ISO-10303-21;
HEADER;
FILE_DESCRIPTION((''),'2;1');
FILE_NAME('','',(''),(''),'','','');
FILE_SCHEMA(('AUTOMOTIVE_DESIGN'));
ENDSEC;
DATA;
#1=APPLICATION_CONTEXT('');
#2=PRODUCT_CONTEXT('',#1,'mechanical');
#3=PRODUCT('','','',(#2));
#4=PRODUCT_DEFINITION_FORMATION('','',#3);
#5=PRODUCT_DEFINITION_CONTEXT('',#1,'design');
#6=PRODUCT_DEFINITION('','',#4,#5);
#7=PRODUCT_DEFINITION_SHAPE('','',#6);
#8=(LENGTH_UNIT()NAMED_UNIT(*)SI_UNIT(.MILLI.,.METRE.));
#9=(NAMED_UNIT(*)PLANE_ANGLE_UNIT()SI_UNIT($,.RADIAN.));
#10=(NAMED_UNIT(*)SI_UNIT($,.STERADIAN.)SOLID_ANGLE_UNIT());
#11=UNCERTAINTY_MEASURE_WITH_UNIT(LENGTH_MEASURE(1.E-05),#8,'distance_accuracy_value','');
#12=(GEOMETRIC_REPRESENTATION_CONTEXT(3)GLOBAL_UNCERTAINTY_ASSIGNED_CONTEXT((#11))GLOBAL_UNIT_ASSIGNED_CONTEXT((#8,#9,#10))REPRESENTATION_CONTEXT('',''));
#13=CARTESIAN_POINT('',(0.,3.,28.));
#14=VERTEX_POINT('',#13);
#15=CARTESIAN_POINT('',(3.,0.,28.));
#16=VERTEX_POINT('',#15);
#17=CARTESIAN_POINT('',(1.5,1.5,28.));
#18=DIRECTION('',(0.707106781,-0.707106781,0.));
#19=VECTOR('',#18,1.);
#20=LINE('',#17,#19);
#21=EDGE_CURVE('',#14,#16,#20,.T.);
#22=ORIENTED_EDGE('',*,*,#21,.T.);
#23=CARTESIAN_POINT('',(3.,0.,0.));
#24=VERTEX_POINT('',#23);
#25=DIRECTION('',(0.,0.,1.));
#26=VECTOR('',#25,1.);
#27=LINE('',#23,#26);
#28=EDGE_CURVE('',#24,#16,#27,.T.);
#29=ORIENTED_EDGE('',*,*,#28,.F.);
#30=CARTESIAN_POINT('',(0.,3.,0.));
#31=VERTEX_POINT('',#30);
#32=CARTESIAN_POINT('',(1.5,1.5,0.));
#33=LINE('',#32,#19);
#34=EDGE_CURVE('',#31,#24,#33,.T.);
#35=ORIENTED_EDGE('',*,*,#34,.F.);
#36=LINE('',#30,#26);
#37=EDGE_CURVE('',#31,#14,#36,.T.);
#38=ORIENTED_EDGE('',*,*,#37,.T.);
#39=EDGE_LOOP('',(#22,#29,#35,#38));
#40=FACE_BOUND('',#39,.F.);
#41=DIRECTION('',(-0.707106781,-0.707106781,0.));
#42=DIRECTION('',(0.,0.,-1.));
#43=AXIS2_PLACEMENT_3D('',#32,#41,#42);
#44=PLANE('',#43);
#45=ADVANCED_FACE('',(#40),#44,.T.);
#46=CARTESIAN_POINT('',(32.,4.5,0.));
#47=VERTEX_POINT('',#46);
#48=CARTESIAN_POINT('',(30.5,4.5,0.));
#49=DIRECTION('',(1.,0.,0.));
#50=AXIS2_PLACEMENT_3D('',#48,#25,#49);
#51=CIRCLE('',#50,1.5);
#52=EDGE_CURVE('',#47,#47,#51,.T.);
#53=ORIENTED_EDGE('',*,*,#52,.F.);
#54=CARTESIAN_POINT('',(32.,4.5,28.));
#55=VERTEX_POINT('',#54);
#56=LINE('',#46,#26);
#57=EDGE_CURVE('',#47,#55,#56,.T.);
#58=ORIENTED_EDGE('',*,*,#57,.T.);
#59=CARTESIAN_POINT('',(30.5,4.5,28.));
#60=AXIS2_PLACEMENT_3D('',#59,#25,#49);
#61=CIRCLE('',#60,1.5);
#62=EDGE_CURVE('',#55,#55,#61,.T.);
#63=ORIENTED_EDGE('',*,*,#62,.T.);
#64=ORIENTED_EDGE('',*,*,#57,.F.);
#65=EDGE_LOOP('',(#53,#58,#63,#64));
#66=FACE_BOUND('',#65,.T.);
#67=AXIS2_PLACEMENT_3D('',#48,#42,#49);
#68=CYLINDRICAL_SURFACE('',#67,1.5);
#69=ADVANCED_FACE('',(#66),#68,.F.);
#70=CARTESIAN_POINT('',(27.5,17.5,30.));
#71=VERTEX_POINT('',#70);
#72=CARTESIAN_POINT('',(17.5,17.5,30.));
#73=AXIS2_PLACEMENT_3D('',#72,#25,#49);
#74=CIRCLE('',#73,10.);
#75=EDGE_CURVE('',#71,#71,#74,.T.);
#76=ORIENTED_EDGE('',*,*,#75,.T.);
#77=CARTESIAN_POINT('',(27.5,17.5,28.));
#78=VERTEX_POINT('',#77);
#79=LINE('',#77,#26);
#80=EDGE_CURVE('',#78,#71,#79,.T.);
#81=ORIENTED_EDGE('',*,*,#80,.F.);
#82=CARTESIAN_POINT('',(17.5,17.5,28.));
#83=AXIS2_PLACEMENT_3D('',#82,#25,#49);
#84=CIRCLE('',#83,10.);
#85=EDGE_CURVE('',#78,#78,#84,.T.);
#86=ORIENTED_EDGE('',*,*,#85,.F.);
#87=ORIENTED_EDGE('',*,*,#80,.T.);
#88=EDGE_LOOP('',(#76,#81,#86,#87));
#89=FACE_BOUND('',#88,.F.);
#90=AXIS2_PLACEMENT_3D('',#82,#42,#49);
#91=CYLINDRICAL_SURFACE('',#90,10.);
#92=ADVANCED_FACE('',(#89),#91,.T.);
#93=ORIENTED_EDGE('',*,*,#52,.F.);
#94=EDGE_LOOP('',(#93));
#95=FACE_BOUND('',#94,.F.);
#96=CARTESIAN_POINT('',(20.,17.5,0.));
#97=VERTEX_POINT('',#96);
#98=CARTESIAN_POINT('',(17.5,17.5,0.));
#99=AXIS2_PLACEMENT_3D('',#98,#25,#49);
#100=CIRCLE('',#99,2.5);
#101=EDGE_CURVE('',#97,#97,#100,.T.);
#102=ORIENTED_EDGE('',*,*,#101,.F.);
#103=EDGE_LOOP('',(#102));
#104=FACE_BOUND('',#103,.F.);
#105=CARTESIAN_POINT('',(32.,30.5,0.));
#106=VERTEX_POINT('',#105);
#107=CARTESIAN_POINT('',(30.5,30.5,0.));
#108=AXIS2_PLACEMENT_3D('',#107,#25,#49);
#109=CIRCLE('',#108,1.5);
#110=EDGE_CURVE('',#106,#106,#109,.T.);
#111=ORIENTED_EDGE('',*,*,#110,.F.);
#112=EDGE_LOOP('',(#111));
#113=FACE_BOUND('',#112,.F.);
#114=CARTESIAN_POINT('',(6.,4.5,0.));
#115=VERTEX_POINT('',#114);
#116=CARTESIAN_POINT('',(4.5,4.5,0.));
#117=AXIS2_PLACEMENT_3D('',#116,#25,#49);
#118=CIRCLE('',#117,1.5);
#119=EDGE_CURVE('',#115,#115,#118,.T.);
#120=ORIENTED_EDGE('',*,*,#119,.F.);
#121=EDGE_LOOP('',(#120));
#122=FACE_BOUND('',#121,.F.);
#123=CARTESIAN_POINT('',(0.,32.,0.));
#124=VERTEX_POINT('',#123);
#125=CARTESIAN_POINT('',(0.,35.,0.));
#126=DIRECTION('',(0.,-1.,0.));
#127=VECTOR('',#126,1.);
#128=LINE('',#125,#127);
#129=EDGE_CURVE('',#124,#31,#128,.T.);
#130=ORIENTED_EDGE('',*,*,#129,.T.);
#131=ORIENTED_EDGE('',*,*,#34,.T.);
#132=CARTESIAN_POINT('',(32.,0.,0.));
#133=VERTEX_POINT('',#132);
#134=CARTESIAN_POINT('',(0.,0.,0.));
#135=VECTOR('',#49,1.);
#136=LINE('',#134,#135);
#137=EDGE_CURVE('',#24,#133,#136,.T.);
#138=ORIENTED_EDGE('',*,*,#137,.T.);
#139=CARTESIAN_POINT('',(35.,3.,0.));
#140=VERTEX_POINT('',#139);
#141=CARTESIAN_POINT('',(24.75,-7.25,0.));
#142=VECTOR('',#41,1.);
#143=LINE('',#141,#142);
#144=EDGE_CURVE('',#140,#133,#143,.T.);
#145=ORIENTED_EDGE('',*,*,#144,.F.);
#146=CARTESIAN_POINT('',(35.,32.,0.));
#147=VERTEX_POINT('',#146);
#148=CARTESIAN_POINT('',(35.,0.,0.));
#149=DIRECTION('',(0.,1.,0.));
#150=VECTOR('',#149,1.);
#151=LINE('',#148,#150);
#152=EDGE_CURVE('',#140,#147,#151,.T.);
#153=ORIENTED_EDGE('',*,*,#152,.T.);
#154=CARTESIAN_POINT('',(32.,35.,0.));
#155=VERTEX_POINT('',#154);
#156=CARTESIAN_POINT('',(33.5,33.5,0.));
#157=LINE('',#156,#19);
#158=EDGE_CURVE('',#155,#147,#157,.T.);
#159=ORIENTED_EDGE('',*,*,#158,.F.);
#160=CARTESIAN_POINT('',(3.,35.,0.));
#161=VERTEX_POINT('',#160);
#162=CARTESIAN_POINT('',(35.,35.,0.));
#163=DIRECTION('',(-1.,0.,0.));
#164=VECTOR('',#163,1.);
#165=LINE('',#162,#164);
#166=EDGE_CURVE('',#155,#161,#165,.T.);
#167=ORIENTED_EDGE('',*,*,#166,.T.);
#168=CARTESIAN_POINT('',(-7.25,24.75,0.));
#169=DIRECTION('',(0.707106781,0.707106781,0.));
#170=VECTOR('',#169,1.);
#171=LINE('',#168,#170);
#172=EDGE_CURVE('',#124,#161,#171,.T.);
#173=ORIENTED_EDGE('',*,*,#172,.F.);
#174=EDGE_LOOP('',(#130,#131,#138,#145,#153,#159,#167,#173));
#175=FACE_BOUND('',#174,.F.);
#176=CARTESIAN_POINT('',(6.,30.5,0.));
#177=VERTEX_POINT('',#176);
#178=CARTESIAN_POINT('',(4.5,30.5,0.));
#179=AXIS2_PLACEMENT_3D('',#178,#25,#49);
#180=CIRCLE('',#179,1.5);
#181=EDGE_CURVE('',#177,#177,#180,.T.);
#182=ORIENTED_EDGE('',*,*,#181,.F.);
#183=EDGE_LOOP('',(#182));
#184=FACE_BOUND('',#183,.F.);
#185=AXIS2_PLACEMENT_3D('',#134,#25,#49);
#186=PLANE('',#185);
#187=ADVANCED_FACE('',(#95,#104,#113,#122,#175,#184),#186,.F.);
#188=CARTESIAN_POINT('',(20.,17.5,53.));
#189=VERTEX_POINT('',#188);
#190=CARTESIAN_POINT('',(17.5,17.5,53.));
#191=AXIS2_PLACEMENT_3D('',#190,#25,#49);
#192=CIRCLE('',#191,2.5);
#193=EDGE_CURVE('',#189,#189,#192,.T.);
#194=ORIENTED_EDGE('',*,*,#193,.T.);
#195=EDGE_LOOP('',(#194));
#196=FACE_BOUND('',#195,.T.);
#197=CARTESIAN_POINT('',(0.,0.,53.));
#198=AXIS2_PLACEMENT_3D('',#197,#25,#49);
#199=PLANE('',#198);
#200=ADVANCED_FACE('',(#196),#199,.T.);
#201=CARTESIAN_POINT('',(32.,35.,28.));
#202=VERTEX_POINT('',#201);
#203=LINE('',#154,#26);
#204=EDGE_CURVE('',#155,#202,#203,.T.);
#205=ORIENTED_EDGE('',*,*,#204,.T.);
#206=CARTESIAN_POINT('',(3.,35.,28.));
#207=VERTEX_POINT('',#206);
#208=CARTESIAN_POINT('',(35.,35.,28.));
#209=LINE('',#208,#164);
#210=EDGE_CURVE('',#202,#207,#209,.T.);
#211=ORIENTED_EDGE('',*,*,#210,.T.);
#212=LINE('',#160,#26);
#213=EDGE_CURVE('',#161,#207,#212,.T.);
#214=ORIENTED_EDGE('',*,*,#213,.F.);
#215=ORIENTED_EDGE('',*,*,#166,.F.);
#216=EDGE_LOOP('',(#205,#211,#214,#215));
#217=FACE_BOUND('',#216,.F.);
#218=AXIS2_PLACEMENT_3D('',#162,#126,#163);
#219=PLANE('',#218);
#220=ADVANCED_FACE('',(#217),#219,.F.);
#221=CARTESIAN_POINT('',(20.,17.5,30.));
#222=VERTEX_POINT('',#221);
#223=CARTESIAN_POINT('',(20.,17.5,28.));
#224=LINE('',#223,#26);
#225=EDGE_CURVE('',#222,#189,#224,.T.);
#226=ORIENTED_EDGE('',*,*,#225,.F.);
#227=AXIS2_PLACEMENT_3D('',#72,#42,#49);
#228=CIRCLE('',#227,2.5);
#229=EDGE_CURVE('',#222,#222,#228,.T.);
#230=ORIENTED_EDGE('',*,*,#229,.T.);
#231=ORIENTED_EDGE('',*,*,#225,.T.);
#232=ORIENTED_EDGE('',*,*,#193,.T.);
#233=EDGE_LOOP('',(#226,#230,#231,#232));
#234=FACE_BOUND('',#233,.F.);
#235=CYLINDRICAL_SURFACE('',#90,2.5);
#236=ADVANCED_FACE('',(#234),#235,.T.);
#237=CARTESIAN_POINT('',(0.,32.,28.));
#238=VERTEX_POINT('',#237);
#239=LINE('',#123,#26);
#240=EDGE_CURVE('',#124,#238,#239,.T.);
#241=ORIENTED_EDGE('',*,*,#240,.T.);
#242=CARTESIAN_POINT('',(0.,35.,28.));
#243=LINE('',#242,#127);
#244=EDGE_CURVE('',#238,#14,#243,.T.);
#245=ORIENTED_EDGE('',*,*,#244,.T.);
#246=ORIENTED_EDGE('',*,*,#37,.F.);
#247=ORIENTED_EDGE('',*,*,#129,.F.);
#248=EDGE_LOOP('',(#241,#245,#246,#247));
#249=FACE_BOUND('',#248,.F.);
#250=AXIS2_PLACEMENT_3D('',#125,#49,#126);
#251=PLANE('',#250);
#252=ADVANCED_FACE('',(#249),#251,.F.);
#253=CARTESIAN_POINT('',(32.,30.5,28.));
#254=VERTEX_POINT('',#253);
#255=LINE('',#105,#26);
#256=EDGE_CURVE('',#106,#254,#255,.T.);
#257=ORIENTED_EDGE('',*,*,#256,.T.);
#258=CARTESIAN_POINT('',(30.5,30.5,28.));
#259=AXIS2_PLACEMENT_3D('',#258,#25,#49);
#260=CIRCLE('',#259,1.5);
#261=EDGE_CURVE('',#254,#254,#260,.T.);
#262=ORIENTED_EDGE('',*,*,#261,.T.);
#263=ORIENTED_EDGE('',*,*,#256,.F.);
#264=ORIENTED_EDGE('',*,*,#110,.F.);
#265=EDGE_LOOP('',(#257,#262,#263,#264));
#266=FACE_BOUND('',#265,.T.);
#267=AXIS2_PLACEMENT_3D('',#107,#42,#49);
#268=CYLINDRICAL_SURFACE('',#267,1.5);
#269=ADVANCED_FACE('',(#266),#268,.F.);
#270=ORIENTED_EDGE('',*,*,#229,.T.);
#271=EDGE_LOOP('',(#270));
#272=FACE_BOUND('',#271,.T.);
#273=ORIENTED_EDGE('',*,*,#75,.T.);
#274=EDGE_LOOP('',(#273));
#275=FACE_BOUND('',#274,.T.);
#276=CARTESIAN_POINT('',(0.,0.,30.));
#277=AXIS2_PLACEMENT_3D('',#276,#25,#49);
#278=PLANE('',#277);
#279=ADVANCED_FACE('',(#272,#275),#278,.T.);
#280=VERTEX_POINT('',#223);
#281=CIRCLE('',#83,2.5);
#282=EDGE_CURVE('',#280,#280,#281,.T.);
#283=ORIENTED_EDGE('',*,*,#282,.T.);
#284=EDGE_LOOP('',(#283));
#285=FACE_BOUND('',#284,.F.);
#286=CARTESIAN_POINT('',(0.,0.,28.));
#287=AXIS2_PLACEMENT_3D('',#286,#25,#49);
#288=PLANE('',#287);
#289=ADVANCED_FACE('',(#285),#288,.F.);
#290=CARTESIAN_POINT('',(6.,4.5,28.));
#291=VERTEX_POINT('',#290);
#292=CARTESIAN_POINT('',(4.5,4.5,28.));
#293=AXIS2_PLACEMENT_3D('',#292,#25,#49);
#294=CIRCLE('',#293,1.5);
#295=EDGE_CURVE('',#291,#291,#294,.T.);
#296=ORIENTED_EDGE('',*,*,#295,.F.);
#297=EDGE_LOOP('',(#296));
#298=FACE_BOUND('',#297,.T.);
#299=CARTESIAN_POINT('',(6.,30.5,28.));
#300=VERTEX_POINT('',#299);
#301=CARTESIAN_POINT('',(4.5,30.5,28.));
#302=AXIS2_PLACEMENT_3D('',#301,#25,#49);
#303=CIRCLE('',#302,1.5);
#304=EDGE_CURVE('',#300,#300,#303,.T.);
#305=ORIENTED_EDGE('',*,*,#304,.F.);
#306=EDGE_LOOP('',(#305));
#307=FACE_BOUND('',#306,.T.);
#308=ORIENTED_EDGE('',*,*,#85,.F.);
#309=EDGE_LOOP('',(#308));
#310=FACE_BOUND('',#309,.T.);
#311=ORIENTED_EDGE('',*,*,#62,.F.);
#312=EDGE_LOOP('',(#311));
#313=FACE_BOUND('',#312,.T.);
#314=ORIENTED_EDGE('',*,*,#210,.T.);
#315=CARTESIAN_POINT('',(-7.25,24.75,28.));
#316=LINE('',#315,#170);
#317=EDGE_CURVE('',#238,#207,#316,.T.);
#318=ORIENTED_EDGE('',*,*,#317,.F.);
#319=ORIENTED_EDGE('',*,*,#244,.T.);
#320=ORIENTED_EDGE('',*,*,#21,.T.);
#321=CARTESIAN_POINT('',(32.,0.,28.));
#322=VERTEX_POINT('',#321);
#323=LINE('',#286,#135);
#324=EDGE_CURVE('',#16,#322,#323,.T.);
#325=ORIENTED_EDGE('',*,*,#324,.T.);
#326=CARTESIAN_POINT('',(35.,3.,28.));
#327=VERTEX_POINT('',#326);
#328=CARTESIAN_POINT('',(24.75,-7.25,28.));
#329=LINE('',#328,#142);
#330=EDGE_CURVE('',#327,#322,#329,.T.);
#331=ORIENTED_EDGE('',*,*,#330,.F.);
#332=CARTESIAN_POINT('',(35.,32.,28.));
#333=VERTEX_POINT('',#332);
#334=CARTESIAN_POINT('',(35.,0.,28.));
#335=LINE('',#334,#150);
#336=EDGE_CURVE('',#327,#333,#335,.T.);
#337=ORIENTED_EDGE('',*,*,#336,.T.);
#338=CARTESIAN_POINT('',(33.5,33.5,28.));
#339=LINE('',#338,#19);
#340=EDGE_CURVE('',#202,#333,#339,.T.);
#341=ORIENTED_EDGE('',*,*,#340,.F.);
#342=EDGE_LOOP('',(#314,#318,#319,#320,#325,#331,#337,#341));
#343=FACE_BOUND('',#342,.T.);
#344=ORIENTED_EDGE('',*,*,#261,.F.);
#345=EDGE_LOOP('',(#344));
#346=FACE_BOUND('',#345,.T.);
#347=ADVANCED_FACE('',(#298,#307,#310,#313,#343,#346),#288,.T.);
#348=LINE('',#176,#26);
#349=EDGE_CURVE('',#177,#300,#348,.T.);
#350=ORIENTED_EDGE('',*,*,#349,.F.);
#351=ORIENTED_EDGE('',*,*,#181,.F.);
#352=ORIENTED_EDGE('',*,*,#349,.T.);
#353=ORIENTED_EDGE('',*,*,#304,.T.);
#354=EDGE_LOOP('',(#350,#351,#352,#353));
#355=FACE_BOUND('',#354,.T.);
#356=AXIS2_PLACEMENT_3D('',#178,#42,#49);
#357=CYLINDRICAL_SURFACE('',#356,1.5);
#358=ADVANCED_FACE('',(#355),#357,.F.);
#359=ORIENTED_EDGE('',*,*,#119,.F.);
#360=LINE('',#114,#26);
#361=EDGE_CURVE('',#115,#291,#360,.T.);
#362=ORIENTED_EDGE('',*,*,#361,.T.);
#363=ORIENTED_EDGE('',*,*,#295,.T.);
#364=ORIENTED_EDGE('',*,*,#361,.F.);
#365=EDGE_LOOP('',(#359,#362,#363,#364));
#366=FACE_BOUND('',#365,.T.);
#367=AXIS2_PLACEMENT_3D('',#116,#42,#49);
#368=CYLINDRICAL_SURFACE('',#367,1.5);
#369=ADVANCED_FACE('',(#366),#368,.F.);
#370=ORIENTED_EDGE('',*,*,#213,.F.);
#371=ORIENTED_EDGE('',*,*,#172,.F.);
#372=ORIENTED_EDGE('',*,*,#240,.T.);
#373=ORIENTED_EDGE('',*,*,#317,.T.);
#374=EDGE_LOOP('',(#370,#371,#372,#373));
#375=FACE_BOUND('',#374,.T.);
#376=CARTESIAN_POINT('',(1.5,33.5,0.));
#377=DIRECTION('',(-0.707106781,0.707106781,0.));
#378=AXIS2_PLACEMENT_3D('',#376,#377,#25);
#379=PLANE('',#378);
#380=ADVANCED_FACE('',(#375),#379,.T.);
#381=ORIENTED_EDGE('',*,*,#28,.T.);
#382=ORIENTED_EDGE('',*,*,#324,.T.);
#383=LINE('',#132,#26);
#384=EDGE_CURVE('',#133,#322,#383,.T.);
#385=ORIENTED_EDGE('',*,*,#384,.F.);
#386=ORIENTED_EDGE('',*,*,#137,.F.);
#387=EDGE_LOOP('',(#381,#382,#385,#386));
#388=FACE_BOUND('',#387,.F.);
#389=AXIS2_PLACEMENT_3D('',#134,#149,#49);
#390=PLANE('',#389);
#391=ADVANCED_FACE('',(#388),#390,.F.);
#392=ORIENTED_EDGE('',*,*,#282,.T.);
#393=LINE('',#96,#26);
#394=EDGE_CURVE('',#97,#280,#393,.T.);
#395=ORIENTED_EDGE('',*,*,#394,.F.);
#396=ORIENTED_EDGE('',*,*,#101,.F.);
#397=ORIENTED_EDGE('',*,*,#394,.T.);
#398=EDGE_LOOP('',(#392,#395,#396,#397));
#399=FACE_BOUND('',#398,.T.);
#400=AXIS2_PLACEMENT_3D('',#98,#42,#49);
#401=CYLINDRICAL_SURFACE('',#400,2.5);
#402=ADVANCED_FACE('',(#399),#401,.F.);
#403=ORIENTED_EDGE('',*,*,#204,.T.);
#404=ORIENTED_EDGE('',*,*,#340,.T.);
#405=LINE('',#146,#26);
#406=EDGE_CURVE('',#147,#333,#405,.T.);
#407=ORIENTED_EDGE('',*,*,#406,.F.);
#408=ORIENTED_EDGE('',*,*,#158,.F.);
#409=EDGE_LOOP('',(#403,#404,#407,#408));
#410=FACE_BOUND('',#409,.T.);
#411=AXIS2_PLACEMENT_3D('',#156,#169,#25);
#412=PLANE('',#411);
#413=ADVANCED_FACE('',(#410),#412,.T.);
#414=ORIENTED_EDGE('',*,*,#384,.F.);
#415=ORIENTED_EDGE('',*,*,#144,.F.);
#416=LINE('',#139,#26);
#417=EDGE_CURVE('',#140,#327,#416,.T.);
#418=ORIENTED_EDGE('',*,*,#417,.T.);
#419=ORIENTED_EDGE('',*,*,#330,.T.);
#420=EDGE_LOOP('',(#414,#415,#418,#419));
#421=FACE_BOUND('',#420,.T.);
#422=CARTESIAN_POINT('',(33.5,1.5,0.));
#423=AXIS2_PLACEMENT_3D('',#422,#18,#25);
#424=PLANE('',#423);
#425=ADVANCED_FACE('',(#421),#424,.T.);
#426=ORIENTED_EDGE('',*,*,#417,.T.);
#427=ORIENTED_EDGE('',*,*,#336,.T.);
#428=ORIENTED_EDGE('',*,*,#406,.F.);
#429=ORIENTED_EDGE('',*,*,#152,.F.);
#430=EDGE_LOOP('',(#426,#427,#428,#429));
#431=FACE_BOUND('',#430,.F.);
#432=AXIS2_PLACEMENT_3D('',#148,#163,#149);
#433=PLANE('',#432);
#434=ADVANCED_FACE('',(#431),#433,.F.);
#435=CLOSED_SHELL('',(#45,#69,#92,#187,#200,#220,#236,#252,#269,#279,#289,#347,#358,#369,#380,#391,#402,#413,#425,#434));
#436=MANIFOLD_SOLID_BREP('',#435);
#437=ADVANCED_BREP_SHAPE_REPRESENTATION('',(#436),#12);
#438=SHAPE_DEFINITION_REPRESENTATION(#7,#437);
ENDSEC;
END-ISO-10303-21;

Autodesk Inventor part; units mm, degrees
ref_plane "YZ Plane" through (0, 0, 0) normal (1, 0, 0) x (0, 1, 0)
ref_plane "XZ Plane" through (0, 0, 0) normal (0, 1, 0) x (-1, 0, 0)
ref_plane "XY Plane" through (0, 0, 0) normal (0, 0, 1) x (1, 0, 0)
sketch "Sketch1" plane through (0, 0, 0) normal (0, 0, 1) x (1, 0, 0)
  line L0 (0, 0) -> (35, 0)
  line L1 (35, 0) -> (35, 35)
  line L2 (35, 35) -> (0, 35)
  line L3 (0, 35) -> (0, 0)
  line L4 (4.5, 30.5) -> (30.5, 30.5) construction
  line L5 (30.5, 30.5) -> (30.5, 4.5) construction
  line L6 (30.5, 4.5) -> (4.5, 4.5) construction
  line L7 (4.5, 4.5) -> (4.5, 30.5) construction
  circle A0 centre (4.5, 30.5) radius 1.5
  circle A1 centre (30.5, 30.5) radius 1.5
  circle A2 centre (30.5, 4.5) radius 1.5
  circle A3 centre (4.5, 4.5) radius 1.5
  circle A4 centre (17.5, 17.5) radius 2.5
  point P0 (17.5, 35)
  point P1 (35, 17.5)
  dimension "d0" = 35
  dimension "d1" = 35
  dimension "d2" = 26
  dimension "d3" = 3
  dimension "d4" = 3
  dimension "d5" = 3
  dimension "d6" = 3
  dimension "d9" = 5
extrude "Extrusion1" add sketch "Sketch1" along normal blind 28
chamfer "Chamfer1" distance 3 angle 45 4 edges at (35, 35, 14) (35, 0, 14) (0, 0, 14) (0, 35, 14)
sketch "Sketch2" plane through (0, 0, 28) normal (0, 0, 1) x (1, 0, 0)
  circle A0 centre (17.5, 17.5) radius 2.5 construction
  circle A1 centre (17.5, 17.5) radius 10
  point P0 (0, 0)
  dimension "d13" = 20
sketch "Sketch3" plane through (0, 0, 28) normal (0, 0, 1) x (1, 0, 0)
  circle A0 centre (17.5, 17.5) radius 2.5 projected
  point P0 (0, 0)
extrude "Extrusion2" add sketch "Sketch3" along normal blind 25
extrude "Extrusion3" add sketch "Sketch2" along normal blind 2
properties part number "NEMA17"
